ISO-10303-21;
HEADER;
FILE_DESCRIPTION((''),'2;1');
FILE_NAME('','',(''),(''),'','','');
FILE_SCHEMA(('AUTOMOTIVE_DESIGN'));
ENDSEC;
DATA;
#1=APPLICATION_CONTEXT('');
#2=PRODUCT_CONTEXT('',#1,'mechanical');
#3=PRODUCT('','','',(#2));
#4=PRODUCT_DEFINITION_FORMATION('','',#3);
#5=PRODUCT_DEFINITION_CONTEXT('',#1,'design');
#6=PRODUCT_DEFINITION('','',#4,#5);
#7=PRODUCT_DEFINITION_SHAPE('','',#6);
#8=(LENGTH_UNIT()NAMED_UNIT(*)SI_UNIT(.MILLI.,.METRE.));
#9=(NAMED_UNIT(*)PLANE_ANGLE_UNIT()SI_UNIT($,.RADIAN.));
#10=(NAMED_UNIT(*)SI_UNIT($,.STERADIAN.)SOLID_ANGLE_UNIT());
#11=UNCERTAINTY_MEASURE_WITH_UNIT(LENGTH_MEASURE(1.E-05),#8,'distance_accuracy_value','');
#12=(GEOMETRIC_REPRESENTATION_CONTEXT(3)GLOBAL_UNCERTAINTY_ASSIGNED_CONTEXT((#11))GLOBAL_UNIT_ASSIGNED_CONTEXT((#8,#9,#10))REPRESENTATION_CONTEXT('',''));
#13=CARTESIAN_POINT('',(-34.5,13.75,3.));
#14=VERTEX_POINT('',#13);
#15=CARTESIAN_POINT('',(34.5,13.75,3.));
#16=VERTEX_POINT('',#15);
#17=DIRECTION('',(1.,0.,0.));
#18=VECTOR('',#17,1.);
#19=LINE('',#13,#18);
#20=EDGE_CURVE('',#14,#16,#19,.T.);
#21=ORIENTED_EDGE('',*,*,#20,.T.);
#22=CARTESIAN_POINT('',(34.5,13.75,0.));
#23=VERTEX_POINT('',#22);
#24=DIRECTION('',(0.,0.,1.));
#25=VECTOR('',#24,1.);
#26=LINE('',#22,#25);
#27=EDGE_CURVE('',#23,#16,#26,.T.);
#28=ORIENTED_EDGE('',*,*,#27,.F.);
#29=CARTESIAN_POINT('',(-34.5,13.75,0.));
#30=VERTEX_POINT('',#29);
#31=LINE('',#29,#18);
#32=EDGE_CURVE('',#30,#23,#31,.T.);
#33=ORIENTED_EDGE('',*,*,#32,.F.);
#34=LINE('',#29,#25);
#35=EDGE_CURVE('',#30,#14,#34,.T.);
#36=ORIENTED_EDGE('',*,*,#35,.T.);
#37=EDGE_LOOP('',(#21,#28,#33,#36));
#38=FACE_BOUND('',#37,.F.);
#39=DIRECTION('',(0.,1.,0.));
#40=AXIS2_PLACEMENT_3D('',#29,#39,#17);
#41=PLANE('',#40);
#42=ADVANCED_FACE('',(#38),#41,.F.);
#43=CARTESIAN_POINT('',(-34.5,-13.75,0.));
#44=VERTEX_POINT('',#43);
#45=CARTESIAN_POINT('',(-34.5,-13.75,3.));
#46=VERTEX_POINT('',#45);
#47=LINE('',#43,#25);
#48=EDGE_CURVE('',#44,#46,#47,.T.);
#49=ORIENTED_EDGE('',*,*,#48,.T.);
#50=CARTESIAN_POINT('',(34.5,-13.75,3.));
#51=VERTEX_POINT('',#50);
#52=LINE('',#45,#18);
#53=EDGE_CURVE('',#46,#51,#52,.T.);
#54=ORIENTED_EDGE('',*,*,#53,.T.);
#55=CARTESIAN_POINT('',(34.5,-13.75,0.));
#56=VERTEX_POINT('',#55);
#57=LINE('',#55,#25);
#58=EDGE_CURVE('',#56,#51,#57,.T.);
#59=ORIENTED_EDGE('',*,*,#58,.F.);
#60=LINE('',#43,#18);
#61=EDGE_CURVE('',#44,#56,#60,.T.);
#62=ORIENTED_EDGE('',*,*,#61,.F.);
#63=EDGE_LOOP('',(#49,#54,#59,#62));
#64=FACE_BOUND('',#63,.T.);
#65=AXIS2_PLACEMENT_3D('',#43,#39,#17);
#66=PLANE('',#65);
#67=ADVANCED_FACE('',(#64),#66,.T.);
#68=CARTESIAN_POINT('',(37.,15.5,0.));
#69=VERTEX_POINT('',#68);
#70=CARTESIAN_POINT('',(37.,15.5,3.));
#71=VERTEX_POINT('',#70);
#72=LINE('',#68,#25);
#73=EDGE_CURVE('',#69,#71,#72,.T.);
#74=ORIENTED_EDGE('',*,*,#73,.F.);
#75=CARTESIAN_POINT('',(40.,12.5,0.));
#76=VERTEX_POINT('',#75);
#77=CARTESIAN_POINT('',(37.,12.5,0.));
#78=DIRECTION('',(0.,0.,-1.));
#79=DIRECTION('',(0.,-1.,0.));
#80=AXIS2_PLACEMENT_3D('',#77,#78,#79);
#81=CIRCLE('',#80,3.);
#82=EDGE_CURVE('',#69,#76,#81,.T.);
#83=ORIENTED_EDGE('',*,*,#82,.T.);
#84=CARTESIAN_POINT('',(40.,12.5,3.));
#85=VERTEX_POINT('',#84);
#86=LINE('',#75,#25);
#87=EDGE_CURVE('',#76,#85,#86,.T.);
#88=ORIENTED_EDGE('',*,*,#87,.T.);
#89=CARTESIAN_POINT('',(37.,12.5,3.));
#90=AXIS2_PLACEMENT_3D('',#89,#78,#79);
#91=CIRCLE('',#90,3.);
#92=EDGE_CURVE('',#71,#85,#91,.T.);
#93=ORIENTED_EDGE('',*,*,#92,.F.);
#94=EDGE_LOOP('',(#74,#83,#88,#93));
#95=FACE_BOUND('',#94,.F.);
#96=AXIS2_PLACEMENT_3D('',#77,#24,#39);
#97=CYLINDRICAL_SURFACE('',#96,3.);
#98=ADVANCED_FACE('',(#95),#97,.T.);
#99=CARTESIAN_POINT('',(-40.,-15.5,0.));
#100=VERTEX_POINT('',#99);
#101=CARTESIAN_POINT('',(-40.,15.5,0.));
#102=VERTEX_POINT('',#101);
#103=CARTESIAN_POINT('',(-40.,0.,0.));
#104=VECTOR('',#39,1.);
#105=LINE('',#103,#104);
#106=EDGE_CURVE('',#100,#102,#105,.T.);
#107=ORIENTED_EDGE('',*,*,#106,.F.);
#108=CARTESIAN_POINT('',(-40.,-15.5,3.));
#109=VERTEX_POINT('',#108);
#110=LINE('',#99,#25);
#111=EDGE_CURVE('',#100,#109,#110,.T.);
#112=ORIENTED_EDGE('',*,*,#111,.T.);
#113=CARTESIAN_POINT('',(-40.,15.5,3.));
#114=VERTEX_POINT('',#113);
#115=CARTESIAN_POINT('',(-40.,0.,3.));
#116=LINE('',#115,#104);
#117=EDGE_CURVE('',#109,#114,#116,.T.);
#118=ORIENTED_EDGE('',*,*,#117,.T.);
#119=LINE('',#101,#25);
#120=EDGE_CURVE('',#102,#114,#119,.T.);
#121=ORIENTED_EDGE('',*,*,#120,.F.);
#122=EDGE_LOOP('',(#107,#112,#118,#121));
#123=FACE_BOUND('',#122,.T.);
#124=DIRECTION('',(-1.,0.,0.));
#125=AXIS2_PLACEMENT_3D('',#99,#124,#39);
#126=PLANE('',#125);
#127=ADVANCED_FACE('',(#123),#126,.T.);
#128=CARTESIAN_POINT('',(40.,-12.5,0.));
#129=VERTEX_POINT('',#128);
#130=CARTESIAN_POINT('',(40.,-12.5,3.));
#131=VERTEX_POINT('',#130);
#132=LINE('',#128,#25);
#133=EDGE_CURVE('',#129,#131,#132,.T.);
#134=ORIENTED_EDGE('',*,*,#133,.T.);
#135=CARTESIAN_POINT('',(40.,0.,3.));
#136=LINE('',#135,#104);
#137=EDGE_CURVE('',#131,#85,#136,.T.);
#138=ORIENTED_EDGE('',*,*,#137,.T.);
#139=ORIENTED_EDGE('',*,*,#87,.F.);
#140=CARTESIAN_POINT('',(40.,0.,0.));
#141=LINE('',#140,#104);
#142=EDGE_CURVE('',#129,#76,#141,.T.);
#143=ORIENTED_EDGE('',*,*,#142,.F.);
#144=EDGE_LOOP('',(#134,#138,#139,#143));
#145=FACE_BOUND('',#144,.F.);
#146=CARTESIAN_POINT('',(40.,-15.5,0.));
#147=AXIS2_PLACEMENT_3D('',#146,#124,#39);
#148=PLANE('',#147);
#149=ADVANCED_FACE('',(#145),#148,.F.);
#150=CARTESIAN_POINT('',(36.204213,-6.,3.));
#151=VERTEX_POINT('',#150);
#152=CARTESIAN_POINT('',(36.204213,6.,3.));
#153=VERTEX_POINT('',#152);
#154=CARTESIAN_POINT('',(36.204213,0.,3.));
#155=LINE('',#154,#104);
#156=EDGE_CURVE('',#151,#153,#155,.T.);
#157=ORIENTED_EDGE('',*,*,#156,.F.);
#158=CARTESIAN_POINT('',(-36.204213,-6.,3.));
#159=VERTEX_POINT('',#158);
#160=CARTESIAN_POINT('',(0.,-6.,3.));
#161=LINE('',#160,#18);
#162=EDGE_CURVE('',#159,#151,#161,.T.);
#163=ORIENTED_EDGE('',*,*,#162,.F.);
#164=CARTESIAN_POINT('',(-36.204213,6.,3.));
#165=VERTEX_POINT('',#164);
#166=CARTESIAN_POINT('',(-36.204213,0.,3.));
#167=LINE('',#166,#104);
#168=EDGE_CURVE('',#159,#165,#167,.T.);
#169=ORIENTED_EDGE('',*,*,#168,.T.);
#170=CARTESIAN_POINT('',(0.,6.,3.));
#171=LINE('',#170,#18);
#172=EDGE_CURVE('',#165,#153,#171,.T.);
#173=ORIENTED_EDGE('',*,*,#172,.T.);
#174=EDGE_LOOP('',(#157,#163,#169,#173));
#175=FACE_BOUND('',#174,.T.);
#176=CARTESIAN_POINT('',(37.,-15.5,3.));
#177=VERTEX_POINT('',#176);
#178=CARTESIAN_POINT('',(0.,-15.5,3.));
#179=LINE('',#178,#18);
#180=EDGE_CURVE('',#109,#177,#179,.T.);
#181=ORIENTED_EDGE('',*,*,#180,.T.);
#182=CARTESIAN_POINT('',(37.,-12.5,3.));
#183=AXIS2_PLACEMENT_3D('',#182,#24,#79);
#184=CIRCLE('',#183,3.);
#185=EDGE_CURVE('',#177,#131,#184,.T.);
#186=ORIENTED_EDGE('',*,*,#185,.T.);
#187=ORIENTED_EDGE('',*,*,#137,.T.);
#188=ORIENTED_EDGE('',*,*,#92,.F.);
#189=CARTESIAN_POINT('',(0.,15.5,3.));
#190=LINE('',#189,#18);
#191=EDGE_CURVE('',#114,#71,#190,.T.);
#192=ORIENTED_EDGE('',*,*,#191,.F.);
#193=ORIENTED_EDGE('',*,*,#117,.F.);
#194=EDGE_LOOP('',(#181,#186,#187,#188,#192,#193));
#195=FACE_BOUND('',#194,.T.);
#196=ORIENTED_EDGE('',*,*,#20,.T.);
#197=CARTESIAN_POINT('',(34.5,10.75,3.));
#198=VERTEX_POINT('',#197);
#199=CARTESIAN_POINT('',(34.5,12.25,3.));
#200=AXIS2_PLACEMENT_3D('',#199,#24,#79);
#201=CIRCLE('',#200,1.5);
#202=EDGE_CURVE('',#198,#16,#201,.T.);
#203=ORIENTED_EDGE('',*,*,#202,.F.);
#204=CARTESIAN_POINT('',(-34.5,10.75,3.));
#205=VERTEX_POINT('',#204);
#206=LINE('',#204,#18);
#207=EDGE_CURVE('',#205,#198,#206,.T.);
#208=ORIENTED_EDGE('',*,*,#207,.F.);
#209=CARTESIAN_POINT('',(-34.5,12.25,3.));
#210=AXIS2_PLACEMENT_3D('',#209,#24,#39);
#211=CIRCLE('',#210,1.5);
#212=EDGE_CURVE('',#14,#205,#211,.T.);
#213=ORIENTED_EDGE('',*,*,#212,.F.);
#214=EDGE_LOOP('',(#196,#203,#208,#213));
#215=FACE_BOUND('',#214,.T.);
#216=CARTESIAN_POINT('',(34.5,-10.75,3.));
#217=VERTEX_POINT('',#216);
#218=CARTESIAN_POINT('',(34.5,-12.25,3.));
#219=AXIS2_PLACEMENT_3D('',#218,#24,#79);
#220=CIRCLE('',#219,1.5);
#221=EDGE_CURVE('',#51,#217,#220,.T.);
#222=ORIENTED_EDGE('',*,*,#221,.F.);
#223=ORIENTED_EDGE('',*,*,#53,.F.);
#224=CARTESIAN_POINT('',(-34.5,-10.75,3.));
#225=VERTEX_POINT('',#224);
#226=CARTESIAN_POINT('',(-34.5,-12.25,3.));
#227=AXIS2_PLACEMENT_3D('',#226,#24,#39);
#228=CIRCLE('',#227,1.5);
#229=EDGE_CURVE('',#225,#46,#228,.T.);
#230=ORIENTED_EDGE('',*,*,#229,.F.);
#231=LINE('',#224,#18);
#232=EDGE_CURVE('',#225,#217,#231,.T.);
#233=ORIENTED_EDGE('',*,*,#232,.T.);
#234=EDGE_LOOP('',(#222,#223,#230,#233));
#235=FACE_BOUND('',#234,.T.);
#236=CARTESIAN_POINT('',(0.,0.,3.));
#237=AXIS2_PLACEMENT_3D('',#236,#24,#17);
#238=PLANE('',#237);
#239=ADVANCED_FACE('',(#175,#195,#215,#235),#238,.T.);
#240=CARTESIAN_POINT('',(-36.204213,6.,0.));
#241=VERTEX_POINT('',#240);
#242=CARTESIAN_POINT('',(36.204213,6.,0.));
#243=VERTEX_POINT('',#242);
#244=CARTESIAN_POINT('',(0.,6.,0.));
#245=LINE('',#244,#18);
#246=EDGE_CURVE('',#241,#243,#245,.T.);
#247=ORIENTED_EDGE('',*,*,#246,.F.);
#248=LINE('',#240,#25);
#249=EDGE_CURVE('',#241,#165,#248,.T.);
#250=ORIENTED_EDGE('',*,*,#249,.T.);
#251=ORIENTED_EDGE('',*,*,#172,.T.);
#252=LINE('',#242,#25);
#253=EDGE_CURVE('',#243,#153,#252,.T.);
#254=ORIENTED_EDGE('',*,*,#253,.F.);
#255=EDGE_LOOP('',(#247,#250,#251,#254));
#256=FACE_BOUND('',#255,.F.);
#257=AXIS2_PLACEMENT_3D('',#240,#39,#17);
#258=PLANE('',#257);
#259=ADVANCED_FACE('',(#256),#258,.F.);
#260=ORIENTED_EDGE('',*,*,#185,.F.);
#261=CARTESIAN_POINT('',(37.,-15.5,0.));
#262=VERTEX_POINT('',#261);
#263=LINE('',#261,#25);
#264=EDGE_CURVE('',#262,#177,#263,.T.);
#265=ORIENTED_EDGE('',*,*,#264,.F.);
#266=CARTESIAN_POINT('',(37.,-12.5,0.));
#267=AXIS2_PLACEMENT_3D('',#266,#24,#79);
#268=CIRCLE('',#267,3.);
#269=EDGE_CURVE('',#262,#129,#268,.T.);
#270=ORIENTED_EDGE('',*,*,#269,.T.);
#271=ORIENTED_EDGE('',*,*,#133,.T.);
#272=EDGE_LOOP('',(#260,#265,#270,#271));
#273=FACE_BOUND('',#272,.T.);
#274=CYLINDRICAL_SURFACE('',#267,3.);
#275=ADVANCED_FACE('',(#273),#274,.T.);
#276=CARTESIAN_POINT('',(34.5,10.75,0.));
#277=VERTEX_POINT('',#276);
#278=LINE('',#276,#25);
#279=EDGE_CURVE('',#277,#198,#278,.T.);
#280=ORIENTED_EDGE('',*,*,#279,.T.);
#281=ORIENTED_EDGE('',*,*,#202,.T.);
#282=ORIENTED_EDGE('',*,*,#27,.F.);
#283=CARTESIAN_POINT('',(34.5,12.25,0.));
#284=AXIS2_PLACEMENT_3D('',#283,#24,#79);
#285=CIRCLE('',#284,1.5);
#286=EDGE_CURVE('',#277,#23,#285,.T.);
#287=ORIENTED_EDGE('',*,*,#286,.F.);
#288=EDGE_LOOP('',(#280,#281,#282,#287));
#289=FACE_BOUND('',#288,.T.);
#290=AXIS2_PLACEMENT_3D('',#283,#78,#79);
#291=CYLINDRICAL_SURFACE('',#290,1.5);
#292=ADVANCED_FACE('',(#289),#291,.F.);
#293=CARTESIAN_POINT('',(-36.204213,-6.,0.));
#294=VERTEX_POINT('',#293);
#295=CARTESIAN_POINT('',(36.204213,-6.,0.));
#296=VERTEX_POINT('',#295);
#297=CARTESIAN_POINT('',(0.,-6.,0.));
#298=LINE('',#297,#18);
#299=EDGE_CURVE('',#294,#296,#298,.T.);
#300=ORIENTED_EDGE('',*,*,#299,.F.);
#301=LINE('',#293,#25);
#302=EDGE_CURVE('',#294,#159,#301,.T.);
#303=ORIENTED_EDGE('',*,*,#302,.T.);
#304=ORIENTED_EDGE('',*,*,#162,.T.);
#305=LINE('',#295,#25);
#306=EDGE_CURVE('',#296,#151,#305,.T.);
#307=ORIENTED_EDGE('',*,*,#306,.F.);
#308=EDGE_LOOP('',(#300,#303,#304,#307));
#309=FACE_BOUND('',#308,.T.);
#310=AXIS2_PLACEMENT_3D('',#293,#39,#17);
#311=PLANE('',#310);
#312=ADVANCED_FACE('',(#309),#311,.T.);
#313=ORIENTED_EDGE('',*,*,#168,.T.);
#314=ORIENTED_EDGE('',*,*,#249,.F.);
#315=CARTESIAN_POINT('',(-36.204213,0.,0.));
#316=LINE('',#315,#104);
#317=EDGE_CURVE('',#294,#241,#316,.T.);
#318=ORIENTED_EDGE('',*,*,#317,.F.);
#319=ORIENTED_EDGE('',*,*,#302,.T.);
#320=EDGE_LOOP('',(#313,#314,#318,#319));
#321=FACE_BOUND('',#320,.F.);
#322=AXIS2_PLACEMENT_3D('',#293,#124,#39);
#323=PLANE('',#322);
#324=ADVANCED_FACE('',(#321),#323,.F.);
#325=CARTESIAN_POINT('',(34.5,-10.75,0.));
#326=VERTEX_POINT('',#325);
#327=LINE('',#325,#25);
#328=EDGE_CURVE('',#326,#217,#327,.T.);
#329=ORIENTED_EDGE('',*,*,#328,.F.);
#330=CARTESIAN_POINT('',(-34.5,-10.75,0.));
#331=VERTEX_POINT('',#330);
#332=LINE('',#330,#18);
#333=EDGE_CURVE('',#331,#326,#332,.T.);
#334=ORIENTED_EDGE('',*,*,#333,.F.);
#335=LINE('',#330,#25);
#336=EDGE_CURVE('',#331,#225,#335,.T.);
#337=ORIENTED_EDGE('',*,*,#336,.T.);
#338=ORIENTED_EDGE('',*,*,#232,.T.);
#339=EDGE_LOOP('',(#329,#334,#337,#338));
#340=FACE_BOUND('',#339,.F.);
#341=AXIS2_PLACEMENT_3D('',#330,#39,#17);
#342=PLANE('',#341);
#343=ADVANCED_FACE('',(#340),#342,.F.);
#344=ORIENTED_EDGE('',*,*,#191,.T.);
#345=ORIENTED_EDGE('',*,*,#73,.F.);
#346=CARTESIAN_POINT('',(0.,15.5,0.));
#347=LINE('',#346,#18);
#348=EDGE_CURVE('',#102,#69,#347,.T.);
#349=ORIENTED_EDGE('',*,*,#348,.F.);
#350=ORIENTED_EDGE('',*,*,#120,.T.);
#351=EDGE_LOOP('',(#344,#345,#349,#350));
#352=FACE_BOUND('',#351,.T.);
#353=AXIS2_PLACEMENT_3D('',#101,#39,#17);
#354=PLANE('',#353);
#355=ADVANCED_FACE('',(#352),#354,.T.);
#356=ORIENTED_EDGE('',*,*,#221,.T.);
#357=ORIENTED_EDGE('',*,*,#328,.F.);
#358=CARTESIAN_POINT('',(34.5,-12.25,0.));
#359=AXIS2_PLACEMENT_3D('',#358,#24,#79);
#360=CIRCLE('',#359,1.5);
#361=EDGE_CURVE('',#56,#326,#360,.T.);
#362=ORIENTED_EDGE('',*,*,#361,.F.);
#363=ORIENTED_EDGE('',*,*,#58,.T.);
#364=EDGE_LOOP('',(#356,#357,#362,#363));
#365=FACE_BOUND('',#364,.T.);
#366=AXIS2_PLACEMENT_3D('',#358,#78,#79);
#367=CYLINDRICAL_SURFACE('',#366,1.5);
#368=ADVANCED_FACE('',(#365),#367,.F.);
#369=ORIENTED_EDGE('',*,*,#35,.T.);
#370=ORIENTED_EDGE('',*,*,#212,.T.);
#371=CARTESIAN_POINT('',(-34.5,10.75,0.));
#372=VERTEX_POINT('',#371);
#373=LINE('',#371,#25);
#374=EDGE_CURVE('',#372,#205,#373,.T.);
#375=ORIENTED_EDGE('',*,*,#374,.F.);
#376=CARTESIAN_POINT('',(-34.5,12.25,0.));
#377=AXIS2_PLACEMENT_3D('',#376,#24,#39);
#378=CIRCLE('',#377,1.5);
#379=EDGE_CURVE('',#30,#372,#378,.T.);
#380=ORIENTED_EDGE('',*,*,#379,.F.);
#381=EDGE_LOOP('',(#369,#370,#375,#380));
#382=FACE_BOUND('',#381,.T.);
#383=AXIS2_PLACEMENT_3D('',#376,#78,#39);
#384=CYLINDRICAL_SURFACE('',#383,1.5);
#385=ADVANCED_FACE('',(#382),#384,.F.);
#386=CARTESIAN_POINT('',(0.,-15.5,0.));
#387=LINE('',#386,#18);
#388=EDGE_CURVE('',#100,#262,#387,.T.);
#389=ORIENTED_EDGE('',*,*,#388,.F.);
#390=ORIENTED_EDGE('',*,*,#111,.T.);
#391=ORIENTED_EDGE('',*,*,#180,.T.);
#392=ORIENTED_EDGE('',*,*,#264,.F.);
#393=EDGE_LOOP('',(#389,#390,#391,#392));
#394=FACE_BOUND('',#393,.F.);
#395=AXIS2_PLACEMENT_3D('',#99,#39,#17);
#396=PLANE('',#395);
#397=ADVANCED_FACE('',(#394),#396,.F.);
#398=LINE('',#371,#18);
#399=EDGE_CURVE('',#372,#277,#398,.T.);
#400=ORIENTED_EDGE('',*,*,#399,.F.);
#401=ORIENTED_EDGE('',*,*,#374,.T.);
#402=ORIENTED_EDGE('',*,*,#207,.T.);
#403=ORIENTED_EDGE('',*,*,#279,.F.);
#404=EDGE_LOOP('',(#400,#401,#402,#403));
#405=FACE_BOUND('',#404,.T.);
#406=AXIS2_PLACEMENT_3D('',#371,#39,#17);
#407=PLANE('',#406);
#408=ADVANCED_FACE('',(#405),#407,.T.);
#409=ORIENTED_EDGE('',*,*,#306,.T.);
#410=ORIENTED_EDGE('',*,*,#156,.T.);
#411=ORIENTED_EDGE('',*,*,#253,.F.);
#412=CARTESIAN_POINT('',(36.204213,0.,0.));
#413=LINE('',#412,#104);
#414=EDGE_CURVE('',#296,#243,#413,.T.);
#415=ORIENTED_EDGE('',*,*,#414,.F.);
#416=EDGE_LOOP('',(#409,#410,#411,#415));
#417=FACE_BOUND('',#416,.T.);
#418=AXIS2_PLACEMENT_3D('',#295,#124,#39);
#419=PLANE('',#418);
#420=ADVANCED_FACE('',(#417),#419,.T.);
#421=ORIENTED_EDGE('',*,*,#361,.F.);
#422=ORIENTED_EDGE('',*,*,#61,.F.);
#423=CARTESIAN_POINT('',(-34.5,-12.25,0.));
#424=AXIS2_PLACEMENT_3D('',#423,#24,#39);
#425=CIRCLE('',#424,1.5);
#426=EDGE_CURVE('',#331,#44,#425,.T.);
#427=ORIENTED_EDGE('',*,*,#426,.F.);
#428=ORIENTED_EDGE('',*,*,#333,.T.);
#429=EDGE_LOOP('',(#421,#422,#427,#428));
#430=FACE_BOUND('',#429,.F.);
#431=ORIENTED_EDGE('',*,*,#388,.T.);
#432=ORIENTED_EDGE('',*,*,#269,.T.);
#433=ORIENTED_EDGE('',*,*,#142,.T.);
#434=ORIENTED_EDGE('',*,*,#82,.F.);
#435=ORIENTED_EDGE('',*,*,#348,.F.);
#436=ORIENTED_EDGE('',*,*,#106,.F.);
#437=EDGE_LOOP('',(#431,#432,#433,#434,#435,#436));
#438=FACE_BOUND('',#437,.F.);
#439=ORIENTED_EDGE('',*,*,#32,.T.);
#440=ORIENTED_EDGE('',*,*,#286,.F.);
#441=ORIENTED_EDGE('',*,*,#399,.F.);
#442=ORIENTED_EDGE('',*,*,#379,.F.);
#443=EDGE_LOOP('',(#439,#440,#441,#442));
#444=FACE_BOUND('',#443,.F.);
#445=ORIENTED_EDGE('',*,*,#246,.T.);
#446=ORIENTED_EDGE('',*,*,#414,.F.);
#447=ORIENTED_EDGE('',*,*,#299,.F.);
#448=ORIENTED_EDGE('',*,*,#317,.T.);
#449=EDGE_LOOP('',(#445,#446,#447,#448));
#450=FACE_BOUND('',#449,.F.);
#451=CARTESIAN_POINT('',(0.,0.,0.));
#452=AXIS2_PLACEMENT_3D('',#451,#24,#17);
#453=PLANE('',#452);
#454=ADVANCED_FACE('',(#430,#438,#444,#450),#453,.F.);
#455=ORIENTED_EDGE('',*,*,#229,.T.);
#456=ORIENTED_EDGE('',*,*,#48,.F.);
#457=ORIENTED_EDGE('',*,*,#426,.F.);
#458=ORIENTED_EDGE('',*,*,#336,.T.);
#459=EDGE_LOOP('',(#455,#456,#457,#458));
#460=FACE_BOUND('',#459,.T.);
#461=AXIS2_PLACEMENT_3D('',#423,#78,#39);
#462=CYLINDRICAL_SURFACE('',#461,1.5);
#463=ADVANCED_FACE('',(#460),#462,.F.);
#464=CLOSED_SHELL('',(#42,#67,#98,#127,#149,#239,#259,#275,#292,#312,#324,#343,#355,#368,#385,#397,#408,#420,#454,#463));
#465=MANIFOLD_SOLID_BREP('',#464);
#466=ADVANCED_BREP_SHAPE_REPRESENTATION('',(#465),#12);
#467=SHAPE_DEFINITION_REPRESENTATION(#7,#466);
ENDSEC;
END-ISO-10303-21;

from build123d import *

# Parameters (mm, degrees)
SKETCH003_W   = 80
SKETCH003_H   = 31
SKETCH003_W_2 = 72.408426
SKETCH003_H_2 = 12
EXTRUDE_DEPTH = 3
FILLET_R      = 3


with BuildPart() as part:
    # Sketch003 → Extrude (new body)
    with BuildSketch(Plane.XY):
        Rectangle(SKETCH003_W, SKETCH003_H)
        Rectangle(SKETCH003_W_2, SKETCH003_H_2, mode=Mode.SUBTRACT)
        with BuildLine():
            ThreePointArc((-34.5, 13.75), (-36, 12.25), (-34.5, 10.75))
            Line((-34.5, 10.75), (34.5, 10.75))
            ThreePointArc((34.5, 10.75), (36, 12.25), (34.5, 13.75))
            Line((-34.5, 13.75), (34.5, 13.75))
        make_face(mode=Mode.SUBTRACT)
        with BuildLine():
            ThreePointArc((-34.5, -10.75), (-36, -12.25), (-34.5, -13.75))
            Line((-34.5, -13.75), (34.5, -13.75))
            ThreePointArc((34.5, -13.75), (36, -12.25), (34.5, -10.75))
            Line((-34.5, -10.75), (34.5, -10.75))
        make_face(mode=Mode.SUBTRACT)
    extrude(amount=EXTRUDE_DEPTH)

    # Fillet
    fillet_edges = [part.edges().sort_by_distance(p)[0] for p in [
        (40, 15.5, 1.5),
        (40, -15.5, 1.5),
    ]]
    fillet(fillet_edges, radius=FILLET_R)


solid = part.part
